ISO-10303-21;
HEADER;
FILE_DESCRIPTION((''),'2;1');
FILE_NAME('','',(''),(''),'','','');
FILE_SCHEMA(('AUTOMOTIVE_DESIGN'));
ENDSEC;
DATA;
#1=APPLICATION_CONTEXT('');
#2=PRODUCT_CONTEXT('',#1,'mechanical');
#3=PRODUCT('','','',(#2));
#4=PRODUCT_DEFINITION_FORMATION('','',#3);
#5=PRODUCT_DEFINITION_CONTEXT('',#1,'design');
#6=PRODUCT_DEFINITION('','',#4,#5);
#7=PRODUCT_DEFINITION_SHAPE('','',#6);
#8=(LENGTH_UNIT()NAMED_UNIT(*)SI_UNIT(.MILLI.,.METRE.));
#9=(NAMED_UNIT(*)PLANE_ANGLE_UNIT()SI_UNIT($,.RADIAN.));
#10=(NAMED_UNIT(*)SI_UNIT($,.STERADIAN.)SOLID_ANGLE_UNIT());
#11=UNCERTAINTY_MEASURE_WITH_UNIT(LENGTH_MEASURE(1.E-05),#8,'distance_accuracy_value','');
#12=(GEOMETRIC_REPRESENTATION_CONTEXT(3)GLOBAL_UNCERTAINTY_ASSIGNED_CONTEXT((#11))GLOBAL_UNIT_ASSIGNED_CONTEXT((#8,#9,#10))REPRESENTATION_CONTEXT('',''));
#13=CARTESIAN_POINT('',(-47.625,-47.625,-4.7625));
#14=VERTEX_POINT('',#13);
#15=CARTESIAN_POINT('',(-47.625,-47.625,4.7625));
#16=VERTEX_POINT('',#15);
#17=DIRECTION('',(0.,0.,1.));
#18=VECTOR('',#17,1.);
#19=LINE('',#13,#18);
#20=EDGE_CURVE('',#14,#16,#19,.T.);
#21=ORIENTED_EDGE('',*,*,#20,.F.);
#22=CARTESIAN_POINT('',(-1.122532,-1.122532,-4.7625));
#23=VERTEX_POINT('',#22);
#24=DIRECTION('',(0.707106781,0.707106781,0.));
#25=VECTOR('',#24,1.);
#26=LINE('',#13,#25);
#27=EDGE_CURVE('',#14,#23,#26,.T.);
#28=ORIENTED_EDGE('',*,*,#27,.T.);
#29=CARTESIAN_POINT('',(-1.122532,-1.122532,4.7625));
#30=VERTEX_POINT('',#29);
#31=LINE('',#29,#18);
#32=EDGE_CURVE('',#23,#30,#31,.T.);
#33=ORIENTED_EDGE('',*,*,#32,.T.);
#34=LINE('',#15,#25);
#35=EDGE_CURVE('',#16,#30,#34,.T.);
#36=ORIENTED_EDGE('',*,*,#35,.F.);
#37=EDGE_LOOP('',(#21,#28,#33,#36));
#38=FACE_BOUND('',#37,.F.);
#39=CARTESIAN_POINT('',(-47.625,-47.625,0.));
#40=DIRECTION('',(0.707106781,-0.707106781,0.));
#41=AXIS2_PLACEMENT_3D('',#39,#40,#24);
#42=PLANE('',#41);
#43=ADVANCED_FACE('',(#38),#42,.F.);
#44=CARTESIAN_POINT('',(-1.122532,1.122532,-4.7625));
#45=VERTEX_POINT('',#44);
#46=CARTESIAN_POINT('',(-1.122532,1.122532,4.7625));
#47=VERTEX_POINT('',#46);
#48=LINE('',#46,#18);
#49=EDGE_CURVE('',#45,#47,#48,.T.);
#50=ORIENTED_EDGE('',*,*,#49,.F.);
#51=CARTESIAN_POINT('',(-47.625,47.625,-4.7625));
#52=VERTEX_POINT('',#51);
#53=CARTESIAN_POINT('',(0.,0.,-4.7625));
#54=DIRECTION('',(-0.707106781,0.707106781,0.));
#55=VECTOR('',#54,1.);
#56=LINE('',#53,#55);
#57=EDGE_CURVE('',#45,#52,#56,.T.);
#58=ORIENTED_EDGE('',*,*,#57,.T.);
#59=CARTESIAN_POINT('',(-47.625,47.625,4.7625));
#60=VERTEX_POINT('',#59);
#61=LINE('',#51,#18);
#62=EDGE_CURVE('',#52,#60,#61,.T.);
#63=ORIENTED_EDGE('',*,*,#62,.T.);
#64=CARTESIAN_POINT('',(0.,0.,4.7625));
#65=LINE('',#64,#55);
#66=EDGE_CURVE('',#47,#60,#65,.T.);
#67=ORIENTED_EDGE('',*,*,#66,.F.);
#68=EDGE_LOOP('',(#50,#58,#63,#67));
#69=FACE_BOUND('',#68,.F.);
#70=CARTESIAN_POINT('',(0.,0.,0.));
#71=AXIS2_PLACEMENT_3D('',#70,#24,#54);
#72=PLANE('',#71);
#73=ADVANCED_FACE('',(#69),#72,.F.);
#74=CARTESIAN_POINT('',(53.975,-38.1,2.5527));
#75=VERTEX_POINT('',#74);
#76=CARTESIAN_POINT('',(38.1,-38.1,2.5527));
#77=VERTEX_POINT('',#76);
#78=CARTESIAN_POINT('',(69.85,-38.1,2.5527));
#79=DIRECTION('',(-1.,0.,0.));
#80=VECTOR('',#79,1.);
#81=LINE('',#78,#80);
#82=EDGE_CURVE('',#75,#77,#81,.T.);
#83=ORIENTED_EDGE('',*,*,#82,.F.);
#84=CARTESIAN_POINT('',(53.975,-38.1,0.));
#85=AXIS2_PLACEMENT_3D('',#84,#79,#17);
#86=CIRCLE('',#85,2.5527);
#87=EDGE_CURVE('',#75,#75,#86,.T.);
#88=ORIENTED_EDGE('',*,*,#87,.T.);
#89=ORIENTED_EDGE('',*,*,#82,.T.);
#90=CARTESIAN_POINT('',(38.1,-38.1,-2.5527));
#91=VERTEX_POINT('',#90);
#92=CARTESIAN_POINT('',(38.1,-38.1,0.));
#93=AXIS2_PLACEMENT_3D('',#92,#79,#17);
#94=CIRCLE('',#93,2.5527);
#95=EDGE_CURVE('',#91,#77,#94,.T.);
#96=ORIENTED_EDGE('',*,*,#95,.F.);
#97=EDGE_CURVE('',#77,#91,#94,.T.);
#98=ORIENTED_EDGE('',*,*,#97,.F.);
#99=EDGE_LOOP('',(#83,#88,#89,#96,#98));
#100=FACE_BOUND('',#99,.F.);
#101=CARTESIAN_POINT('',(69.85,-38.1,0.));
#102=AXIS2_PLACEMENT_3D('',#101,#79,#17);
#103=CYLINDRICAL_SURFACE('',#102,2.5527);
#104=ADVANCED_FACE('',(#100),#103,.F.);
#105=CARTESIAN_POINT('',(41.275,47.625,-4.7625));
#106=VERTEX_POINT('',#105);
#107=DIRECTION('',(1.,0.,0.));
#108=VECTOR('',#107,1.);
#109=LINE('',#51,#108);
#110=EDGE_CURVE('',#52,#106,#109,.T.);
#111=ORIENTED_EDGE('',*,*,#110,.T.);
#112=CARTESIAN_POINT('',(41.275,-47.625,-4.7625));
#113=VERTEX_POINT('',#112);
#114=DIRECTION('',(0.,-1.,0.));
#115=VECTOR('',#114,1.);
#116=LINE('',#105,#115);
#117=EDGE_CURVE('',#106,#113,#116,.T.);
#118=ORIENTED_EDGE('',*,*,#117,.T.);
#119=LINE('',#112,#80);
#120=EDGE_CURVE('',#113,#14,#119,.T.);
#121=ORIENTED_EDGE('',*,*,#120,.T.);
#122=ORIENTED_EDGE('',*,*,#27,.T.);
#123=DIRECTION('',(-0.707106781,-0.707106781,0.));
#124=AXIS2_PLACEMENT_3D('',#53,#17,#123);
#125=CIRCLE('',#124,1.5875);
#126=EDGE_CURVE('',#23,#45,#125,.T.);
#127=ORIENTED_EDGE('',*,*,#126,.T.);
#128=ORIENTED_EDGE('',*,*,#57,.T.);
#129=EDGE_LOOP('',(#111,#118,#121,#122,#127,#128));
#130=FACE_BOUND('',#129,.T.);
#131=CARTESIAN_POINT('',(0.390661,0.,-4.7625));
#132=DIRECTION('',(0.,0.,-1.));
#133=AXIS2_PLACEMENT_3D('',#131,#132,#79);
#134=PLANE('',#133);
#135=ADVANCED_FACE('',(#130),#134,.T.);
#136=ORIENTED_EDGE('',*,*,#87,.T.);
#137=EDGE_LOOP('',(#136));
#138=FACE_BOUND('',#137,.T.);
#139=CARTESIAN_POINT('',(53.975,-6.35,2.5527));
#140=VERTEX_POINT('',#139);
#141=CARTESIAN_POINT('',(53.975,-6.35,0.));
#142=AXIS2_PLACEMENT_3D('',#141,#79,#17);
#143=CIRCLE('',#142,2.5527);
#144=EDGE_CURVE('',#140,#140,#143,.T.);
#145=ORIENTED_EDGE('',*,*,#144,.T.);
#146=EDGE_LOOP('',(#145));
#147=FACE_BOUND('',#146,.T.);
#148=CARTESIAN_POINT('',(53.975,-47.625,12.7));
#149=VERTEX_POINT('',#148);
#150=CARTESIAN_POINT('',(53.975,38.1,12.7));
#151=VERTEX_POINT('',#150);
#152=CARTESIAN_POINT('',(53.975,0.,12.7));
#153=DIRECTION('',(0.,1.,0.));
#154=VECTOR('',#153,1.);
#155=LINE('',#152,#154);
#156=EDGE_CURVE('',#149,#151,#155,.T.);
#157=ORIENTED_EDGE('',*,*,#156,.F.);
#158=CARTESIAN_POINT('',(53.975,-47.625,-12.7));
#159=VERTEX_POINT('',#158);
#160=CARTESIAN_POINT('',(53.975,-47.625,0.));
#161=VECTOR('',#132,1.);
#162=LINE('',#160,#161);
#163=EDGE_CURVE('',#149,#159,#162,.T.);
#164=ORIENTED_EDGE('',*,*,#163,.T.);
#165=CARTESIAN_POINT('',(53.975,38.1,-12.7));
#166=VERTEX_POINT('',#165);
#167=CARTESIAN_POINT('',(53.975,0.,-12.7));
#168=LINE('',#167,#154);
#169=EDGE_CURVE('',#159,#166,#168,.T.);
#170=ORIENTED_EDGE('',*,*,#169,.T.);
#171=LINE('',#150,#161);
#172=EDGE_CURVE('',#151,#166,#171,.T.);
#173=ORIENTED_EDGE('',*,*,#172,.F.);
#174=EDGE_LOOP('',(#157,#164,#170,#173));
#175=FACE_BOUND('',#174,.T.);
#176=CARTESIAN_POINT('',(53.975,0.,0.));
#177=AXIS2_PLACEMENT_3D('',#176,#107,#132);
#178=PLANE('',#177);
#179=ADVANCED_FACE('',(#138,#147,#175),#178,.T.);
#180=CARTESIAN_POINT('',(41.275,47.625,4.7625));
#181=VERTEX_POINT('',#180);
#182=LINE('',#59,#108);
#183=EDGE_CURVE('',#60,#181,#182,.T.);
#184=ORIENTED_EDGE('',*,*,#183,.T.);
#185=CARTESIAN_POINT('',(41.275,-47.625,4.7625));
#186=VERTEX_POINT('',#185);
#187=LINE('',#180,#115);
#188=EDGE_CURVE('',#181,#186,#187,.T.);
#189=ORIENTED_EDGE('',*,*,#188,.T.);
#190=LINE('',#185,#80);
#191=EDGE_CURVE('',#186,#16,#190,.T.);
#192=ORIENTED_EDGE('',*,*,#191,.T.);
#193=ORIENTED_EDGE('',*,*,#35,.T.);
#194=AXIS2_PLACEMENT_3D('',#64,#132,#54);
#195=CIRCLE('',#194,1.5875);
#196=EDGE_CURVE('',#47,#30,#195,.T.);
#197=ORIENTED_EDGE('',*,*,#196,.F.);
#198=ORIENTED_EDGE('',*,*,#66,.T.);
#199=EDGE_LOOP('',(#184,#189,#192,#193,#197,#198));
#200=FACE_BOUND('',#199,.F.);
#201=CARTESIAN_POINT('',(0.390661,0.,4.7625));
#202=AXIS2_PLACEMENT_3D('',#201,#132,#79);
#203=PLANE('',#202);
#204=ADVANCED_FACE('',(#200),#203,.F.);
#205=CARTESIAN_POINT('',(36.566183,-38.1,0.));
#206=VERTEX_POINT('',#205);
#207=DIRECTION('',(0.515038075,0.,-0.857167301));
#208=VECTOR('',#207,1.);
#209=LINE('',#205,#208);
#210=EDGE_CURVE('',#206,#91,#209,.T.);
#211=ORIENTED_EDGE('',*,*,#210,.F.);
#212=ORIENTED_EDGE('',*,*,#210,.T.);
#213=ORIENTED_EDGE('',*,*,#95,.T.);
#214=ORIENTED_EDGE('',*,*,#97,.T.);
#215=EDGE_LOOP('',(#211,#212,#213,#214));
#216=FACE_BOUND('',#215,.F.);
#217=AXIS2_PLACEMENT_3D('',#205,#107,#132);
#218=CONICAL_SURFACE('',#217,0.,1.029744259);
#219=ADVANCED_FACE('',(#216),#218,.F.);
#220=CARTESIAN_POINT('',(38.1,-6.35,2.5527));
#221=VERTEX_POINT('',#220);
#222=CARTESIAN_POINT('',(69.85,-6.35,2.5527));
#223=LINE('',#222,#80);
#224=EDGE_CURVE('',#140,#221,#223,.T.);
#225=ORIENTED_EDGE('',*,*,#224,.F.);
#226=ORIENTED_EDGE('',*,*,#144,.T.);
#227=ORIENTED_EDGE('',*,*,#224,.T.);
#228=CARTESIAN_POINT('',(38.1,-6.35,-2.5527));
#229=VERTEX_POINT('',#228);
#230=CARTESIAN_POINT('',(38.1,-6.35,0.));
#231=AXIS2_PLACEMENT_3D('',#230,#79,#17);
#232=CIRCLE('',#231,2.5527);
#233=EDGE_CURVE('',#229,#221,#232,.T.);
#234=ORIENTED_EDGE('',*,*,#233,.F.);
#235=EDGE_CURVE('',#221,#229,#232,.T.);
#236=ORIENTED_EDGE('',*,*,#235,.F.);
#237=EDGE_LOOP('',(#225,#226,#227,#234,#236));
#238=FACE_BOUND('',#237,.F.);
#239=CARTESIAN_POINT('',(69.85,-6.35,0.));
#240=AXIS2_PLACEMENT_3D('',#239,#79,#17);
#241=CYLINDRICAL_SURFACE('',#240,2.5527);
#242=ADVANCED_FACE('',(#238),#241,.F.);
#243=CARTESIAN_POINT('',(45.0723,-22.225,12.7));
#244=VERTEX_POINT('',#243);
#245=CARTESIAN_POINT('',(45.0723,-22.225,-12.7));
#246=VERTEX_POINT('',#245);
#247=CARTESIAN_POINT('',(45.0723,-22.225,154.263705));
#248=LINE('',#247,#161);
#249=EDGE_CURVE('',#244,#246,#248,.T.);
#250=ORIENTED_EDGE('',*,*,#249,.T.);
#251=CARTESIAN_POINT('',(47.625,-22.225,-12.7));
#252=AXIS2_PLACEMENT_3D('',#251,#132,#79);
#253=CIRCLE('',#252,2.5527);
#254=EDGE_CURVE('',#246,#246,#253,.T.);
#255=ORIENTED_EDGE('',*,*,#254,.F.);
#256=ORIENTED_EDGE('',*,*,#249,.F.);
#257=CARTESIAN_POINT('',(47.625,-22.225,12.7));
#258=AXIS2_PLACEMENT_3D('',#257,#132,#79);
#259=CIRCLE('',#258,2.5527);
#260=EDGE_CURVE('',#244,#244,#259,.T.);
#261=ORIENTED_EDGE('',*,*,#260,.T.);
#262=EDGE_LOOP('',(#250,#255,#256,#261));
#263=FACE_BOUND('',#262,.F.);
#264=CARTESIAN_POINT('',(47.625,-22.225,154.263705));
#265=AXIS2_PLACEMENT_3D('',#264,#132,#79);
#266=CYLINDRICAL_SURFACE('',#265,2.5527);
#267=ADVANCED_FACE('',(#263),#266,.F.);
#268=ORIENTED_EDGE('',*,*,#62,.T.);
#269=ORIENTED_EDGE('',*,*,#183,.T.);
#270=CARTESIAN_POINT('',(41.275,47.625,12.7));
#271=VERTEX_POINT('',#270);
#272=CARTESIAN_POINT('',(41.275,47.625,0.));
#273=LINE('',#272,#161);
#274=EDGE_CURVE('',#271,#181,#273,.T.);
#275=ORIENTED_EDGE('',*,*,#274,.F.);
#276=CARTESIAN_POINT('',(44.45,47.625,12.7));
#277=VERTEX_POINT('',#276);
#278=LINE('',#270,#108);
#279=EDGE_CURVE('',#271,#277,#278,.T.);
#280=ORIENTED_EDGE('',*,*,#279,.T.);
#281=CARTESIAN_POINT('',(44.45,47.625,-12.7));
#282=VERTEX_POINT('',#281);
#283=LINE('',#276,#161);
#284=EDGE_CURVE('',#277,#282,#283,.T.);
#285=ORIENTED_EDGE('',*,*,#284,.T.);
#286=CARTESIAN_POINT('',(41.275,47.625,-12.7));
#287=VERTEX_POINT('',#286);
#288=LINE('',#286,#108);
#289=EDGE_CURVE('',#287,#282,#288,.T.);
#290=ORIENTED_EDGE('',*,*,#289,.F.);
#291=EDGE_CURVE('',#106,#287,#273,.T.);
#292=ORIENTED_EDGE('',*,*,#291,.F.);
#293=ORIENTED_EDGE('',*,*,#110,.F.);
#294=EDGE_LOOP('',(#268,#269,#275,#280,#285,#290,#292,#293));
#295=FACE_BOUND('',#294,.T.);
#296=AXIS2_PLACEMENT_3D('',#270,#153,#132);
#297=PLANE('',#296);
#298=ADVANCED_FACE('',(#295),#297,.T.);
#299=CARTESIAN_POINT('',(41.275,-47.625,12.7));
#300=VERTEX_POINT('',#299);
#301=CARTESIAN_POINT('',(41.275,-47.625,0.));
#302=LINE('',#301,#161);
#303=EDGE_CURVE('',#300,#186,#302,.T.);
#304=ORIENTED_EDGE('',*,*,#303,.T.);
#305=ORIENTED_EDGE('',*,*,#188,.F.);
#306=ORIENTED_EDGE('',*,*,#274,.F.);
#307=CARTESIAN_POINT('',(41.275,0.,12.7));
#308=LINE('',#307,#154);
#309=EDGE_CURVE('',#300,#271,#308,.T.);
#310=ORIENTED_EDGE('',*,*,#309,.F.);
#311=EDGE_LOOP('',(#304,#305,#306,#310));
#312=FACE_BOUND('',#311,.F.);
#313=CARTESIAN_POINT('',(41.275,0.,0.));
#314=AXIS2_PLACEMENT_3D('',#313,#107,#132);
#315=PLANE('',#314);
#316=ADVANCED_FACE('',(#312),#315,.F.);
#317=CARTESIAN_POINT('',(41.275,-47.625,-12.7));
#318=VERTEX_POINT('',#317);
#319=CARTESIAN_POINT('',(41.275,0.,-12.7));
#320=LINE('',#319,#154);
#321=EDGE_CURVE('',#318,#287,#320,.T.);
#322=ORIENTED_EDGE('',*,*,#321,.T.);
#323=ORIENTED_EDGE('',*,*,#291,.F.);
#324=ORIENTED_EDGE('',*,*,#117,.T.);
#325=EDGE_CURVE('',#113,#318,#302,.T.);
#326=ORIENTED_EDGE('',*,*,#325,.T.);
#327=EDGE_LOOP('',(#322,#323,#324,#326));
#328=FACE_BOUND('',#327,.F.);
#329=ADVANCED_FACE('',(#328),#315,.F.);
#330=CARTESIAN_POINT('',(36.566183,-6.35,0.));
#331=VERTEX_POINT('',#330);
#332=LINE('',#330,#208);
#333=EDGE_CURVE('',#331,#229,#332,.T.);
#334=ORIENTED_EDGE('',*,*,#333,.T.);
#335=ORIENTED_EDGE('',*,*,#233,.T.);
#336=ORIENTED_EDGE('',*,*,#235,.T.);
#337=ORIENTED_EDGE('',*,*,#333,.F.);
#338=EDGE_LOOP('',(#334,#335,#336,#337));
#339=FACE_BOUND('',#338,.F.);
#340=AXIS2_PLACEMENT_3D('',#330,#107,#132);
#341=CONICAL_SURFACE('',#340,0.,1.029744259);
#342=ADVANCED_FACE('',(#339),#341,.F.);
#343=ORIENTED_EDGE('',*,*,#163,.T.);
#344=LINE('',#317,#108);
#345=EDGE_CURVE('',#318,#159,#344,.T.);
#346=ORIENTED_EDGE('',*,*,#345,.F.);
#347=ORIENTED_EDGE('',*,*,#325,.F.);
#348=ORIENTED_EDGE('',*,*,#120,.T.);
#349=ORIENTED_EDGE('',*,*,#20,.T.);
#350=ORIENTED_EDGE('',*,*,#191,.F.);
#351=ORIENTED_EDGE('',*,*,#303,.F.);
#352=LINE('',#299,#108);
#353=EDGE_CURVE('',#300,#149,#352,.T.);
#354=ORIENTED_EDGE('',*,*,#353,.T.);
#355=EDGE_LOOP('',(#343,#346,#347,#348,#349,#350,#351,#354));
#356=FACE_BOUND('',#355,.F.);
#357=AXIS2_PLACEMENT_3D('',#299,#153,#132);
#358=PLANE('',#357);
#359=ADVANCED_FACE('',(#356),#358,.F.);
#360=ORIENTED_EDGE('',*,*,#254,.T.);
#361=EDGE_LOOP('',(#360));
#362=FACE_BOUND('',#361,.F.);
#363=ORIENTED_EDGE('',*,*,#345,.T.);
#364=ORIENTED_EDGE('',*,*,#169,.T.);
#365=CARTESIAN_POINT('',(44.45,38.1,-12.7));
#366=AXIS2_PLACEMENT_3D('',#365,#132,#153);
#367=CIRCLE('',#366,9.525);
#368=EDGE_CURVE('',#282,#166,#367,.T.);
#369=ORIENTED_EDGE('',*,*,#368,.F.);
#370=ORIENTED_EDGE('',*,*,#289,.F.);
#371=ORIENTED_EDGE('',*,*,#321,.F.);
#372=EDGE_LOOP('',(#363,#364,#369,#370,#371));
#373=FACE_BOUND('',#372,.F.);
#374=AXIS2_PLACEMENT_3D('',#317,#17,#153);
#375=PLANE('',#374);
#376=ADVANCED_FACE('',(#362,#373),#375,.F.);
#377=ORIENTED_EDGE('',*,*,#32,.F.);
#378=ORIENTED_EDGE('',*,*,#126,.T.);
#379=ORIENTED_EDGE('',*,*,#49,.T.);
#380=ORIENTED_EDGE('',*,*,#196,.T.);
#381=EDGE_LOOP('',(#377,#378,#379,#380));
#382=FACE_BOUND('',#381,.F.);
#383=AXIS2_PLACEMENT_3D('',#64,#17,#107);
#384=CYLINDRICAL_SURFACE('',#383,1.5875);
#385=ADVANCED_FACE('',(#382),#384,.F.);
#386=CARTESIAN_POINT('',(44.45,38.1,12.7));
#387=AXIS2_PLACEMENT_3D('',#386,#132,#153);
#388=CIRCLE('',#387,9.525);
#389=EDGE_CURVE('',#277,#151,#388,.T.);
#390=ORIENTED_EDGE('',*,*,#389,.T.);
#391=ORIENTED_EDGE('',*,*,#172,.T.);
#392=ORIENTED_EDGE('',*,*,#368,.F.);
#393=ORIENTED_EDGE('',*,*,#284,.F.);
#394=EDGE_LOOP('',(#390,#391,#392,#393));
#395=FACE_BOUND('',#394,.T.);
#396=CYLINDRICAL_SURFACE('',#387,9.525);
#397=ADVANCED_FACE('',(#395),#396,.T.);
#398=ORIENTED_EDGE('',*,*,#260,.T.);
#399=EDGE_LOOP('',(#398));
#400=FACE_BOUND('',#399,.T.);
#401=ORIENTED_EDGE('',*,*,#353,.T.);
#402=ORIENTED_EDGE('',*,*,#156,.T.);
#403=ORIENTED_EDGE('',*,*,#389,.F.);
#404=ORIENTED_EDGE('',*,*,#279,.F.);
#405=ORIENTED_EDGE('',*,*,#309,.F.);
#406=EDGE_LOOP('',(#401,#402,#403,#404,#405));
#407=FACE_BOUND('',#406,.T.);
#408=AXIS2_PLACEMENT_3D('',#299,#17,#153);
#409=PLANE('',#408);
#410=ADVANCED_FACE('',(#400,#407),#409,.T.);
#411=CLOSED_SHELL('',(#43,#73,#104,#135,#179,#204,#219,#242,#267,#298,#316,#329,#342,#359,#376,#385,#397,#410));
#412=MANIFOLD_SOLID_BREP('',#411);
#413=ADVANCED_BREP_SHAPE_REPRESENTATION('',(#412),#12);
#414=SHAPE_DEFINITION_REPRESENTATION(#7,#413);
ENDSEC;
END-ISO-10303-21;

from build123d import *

# Parameters (mm, degrees)
BOSS_EXTRUDE1_DEPTH         = 4.7625
SKETCH2_R                   = 1.5875
CUT_EXTRUDE1_DEPTH          = 10.525
SKETCH3_W                   = 25.4
SKETCH3_H                   = 95.25
BOSS_EXTRUDE2_DEPTH         = 12.7
FILLET1_R                   = 9.525
F_1_4_20_TAPPED_HOLE1_D     = 5.1054
F_1_4_20_TAPPED_HOLE1_DEPTH = 15.875
F_1_4_20_TAPPED_HOLE1_TIP   = 1.533816902
F_1_4_20_TAPPED_HOLE2_D     = 5.1054


with BuildPart() as part:
    # Sketch1 → Boss-Extrude1 (new body, symmetric)
    with BuildSketch(Plane.XY):
        Polygon((-47.625, 47.625), (41.275, 47.625), (41.275, -47.625), (-47.625, -47.625), (0, 0), align=None)
    extrude(amount=BOSS_EXTRUDE1_DEPTH, both=True)

    # Sketch2 → Cut-Extrude1 (cut, through all)
    with BuildSketch(Plane.XY.offset(4.7625)):
        Circle(SKETCH2_R)
    extrude(amount=-CUT_EXTRUDE1_DEPTH, mode=Mode.SUBTRACT)

    # Sketch3 → Boss-Extrude2 (add)
    with BuildSketch(Plane(origin=(41.275, 0, 0), x_dir=(0, 0, -1), z_dir=(1, 0, 0))):
        Rectangle(SKETCH3_W, SKETCH3_H)
    extrude(amount=BOSS_EXTRUDE2_DEPTH)

    # Fillet1
    fillet1_edges = [part.edges().sort_by_distance(p)[0] for p in [
        (53.975, 47.625, 0),
    ]]
    fillet(fillet1_edges, radius=FILLET1_R)

    # 1/4-20 Tapped Hole1
    with Locations(Plane(origin=(53.975, 0, 0), x_dir=(0, 0, -1), z_dir=(1, 0, 0))):
        with Locations((0, -38.1), (0, -6.35)):
            Hole(F_1_4_20_TAPPED_HOLE1_D / 2, depth=F_1_4_20_TAPPED_HOLE1_DEPTH)
            with Locations((0, 0, -(F_1_4_20_TAPPED_HOLE1_DEPTH + F_1_4_20_TAPPED_HOLE1_TIP / 2))):  # 118° drill point
                Cone(0, F_1_4_20_TAPPED_HOLE1_D / 2, F_1_4_20_TAPPED_HOLE1_TIP, mode=Mode.SUBTRACT)

    # 1/4-20 Tapped Hole2 (through all)
    with Locations(Plane.XY.offset(12.7)):
        with Locations((47.625, -22.225)):
            Hole(F_1_4_20_TAPPED_HOLE2_D / 2)


solid = part.part
